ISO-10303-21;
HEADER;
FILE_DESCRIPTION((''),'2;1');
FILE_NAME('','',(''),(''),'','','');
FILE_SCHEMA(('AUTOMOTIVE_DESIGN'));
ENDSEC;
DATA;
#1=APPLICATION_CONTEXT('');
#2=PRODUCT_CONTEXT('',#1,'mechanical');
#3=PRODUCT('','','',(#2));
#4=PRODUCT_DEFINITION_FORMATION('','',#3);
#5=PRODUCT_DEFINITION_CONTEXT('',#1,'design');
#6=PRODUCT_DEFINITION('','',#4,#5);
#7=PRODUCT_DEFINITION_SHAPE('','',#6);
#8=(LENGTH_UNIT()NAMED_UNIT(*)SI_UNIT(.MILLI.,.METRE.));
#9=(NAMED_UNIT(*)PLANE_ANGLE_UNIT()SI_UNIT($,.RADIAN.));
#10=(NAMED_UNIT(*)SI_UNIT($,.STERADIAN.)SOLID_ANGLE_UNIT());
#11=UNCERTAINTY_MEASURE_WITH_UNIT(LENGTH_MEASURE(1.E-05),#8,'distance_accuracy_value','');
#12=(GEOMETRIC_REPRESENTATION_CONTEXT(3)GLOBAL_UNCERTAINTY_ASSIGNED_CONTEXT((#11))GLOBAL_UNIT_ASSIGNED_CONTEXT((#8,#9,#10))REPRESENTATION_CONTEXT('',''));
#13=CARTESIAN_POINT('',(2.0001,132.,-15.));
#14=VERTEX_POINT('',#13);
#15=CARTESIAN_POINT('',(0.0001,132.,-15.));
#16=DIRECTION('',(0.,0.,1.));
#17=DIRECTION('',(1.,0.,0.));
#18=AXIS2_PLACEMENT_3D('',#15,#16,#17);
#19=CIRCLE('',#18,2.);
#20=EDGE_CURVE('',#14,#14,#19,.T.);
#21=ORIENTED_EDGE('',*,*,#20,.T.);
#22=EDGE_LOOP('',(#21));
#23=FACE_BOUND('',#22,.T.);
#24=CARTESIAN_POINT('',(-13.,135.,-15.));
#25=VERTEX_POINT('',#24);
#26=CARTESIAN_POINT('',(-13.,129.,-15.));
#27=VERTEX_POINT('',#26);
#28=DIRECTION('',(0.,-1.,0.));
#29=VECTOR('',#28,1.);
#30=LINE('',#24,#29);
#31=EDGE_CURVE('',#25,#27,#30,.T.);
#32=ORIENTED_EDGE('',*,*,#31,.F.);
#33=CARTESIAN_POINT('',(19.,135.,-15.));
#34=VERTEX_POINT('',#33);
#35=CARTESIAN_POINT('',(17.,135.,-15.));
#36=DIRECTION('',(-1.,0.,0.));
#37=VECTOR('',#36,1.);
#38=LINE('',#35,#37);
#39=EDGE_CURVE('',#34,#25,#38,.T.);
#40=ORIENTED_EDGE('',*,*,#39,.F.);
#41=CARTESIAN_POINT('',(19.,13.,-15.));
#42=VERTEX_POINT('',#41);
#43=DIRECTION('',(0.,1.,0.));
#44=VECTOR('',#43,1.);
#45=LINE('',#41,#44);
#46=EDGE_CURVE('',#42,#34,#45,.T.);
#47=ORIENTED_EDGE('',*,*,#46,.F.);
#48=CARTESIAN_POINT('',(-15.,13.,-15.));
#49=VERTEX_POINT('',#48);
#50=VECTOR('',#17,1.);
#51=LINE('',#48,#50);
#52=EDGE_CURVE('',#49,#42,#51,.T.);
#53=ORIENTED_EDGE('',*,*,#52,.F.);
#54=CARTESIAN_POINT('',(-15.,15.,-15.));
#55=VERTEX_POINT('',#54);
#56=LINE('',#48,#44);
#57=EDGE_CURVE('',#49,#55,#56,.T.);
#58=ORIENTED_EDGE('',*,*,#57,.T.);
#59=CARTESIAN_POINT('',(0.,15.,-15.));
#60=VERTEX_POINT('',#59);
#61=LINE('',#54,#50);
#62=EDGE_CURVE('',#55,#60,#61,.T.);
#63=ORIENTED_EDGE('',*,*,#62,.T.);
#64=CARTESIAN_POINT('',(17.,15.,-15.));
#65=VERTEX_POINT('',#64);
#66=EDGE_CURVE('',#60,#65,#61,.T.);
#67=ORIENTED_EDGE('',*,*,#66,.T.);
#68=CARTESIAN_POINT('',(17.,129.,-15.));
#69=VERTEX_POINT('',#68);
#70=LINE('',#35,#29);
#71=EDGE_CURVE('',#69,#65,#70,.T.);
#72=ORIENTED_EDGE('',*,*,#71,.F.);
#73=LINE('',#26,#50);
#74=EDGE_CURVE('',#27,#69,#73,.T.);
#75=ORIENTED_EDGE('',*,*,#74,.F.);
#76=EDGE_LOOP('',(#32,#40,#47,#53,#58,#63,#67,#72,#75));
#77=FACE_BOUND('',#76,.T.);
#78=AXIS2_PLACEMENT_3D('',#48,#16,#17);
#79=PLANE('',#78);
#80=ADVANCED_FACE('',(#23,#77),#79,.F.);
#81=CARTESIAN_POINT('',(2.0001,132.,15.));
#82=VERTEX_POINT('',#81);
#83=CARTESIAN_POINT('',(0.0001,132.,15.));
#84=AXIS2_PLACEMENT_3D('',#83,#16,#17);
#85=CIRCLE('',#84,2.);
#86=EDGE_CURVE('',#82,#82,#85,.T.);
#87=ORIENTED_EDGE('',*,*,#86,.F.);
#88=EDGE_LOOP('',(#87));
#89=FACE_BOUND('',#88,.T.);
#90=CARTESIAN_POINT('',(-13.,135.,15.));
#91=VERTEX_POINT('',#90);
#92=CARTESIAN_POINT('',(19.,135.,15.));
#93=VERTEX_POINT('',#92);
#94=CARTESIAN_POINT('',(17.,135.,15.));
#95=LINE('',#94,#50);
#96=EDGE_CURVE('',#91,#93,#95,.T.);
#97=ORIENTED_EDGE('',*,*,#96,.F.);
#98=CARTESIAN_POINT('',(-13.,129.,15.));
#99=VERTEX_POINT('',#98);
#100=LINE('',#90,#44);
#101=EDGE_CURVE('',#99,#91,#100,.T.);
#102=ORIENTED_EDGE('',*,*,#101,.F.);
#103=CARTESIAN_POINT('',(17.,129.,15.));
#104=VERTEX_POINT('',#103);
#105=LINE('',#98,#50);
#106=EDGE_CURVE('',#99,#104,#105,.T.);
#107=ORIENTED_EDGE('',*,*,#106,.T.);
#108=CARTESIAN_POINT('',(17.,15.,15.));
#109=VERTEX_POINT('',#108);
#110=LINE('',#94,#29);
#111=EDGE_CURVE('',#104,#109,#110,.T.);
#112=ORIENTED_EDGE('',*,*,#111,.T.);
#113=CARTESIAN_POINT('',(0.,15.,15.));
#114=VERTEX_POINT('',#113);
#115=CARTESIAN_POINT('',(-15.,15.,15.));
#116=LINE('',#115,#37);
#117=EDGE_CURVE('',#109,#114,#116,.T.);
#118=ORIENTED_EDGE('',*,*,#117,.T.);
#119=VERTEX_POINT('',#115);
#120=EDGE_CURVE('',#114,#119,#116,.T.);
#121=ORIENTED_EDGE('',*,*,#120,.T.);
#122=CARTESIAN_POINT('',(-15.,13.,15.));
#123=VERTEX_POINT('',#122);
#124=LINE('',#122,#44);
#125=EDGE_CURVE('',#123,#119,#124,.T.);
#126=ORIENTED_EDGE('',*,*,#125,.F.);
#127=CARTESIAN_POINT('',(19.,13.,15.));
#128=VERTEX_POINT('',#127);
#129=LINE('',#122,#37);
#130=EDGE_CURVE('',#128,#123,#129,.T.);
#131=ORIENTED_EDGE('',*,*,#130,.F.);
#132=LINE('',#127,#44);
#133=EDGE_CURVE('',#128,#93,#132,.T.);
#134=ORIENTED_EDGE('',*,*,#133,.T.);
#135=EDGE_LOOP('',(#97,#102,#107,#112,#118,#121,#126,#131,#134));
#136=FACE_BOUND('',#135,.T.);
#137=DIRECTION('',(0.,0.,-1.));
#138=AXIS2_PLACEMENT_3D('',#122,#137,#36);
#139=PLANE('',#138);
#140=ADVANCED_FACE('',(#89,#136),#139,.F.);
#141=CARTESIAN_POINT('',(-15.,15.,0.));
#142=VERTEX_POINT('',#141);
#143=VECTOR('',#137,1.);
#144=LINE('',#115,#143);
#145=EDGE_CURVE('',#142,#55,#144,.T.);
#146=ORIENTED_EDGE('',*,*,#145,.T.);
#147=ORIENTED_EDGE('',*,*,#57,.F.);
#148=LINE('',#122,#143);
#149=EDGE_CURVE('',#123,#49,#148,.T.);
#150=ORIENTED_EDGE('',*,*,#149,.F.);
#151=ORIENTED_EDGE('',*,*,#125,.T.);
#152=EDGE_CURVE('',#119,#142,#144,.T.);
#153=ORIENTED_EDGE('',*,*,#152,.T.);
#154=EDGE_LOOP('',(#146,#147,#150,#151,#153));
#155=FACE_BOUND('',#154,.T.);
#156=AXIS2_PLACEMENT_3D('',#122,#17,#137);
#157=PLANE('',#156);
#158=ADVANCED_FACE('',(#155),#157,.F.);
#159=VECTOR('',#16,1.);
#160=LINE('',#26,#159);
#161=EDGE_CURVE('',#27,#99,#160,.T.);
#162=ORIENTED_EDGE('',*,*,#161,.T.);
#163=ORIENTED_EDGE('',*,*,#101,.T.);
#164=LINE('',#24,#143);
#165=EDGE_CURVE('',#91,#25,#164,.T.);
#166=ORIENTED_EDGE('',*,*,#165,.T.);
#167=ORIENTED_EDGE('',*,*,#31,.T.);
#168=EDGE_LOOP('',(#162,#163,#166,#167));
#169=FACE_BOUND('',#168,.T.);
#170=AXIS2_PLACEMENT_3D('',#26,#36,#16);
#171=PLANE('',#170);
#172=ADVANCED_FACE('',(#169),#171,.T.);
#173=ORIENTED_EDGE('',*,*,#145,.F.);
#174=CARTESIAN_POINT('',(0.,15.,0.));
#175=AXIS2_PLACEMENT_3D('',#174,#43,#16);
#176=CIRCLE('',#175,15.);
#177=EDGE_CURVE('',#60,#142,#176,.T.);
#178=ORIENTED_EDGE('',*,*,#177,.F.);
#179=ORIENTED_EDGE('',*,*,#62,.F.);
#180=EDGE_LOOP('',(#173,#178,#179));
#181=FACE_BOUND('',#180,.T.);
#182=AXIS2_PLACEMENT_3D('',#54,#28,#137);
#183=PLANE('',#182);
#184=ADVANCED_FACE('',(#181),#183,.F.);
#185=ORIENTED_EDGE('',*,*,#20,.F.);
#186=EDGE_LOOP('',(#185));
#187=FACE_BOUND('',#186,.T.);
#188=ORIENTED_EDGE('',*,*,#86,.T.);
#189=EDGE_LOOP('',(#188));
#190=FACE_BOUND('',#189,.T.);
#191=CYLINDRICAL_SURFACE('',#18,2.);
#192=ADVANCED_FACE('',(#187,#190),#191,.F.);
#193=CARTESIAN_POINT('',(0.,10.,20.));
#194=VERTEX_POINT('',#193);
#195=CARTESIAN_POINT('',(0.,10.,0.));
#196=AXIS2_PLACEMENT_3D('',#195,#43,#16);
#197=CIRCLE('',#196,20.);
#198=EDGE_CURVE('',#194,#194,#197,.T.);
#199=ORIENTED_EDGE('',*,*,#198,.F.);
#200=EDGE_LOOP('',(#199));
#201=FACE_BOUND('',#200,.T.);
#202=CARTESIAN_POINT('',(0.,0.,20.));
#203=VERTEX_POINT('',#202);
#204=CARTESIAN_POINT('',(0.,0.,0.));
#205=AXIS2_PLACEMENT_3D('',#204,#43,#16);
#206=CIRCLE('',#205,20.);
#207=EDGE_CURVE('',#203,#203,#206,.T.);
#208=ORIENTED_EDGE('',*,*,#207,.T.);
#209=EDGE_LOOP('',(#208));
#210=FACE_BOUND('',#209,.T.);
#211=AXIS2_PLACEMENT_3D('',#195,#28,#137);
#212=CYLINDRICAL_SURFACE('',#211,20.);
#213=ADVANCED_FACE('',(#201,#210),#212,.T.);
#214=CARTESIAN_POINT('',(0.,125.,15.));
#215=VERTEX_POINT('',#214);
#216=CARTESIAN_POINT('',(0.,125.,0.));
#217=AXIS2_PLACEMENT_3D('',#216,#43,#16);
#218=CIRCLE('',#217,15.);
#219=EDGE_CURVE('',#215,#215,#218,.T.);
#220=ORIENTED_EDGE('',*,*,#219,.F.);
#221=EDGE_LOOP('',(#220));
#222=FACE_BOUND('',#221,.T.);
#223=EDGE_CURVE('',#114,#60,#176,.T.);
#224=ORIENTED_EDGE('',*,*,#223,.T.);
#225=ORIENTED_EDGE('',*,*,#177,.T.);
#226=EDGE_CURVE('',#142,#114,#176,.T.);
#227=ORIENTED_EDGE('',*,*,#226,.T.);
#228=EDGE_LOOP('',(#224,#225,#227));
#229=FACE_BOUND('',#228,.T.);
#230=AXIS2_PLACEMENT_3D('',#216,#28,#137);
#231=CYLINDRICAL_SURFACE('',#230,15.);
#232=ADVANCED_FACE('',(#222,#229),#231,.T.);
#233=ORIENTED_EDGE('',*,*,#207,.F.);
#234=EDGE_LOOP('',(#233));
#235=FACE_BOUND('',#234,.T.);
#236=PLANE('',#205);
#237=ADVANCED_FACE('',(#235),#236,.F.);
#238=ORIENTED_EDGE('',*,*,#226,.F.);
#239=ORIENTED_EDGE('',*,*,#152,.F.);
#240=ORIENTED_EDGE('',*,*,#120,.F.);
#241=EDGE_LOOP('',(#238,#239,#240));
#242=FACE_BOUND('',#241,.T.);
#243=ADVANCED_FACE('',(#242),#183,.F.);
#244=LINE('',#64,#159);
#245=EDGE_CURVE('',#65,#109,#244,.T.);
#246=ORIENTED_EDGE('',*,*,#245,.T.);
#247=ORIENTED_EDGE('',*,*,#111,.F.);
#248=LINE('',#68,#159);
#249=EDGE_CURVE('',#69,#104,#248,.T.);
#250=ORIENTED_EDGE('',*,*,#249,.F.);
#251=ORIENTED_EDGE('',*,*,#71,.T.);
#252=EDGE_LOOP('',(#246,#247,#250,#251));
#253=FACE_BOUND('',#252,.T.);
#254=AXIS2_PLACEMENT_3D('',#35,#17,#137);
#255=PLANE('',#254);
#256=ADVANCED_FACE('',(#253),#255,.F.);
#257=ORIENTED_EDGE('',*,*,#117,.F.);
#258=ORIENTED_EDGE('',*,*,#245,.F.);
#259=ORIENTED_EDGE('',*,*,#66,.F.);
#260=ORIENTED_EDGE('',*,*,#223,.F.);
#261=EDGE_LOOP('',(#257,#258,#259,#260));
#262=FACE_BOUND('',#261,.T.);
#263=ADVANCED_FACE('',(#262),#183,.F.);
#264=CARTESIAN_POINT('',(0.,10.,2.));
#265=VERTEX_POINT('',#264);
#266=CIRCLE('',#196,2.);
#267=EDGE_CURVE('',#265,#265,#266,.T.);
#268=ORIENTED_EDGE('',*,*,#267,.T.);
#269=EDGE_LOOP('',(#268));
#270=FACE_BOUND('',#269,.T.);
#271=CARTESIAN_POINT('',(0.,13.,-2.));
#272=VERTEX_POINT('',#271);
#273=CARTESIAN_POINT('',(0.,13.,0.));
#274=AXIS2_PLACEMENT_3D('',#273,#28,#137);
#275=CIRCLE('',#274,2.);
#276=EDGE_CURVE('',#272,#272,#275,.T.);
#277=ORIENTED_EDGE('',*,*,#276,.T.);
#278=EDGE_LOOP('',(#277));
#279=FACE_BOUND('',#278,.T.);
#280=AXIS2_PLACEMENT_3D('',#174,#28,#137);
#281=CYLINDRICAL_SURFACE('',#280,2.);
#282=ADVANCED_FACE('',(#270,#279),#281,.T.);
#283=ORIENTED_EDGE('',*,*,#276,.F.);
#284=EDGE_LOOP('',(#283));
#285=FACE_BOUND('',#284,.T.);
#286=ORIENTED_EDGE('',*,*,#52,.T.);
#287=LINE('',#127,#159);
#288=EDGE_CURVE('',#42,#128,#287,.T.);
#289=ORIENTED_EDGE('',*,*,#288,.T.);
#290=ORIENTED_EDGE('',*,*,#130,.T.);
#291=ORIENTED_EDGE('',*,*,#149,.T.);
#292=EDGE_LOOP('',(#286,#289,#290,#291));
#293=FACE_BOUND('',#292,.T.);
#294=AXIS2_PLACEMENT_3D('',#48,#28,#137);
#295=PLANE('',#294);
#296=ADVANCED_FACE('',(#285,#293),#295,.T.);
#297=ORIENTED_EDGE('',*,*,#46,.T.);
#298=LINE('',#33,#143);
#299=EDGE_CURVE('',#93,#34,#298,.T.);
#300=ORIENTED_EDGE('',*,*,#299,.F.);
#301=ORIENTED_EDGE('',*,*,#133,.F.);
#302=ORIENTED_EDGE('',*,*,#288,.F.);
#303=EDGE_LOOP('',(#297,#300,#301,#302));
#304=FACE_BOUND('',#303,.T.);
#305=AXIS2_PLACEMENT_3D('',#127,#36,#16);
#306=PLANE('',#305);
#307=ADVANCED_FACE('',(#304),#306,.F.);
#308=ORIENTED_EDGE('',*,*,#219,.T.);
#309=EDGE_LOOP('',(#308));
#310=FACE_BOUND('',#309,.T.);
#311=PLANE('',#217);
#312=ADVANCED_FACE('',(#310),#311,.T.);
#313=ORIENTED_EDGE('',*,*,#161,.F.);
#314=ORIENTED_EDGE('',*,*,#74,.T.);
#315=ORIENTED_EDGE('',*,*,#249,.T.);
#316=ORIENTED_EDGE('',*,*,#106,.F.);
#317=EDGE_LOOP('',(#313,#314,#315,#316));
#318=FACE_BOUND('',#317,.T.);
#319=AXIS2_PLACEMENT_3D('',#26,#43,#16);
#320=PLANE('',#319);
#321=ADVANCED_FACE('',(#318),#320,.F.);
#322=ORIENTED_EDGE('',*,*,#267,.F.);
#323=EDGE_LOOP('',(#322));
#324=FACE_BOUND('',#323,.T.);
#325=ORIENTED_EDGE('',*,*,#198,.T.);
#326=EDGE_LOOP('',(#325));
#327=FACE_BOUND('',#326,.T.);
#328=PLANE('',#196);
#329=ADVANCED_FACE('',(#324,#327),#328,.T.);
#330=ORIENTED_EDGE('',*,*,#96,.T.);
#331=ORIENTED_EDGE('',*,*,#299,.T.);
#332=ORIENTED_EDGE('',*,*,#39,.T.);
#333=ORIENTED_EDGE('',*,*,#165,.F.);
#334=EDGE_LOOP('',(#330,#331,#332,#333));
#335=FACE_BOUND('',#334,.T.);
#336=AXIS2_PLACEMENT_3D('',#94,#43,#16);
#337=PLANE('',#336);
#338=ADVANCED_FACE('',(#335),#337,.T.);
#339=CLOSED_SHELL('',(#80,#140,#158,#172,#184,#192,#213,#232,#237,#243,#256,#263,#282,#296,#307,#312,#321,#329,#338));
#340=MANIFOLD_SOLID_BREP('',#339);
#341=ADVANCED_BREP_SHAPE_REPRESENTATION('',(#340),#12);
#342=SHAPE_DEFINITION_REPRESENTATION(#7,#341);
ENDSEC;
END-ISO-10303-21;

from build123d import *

# Parameters (mm, degrees)
SKETCH1_R          = 20
EXTRUDE1_DEPTH     = 10
SKETCH2_R          = 2
EXTRUDE2_DEPTH     = 5
SKETCH3_R          = 15
EXTRUDE3_DEPTH     = 110
SKETCH4_W          = 34
SKETCH4_H          = 30
EXTRUDE4_DEPTH     = 2
SKETCH5_W          = 2
SKETCH5_H          = 30
EXTRUDE5_DEPTH     = 120
SKETCH6_W          = 30
SKETCH6_H          = 6
EXTRUDE6_DEPTH     = 30
SKETCH7_R          = 2
CUT_EXTRUDE1_DEPTH = 30


with BuildPart() as part:
    # Sketch1 → Extrude1 (new body)
    with BuildSketch(Plane(origin=(0, 0, 0), x_dir=(1, 0, 0), z_dir=(0, 1, 0))):
        with Locations(Location((0, 0, 0), (0, 0, 270))):
            Circle(SKETCH1_R)
    extrude(amount=EXTRUDE1_DEPTH)

    # Sketch2 → Extrude2 (add)
    with BuildSketch(Plane(origin=(0, 10, 0), x_dir=(1, 0, 0), z_dir=(0, 1, 0))):
        with Locations(Location((0, 0, 0), (0, 0, 270))):
            Circle(SKETCH2_R)
    extrude(amount=EXTRUDE2_DEPTH)

    # Sketch3 → Extrude3 (add)
    with BuildSketch(Plane(origin=(0, 15, 0), x_dir=(1, 0, 0), z_dir=(0, 1, 0))):
        with Locations(Location((0, 0, 0), (0, 0, 270))):
            Circle(SKETCH3_R)
    extrude(amount=EXTRUDE3_DEPTH)

    # Sketch4 → Extrude4 (add)
    with BuildSketch(Plane.XZ.offset(-15)):
        with Locations((2, 0)):
            Rectangle(SKETCH4_W, SKETCH4_H)
    extrude(amount=EXTRUDE4_DEPTH)

    # Sketch5 → Extrude5 (add)
    with BuildSketch(Plane(origin=(0, 15, 0), x_dir=(1, 0, 0), z_dir=(0, 1, 0))):
        with Locations((18, 0)):
            Rectangle(SKETCH5_W, SKETCH5_H)
    extrude(amount=EXTRUDE5_DEPTH)

    # Sketch6 → Extrude6 (add)
    with BuildSketch(Plane.ZY.offset(-17)):
        with Locations((0, 132)):
            Rectangle(SKETCH6_W, SKETCH6_H)
    extrude(amount=EXTRUDE6_DEPTH)

    # Sketch7 → Cut-Extrude1 (cut)
    with BuildSketch(Plane.XY.offset(15)):
        with Locations((0.0001, 132)):
            Circle(SKETCH7_R)
    extrude(amount=-CUT_EXTRUDE1_DEPTH, mode=Mode.SUBTRACT)


solid = part.part
